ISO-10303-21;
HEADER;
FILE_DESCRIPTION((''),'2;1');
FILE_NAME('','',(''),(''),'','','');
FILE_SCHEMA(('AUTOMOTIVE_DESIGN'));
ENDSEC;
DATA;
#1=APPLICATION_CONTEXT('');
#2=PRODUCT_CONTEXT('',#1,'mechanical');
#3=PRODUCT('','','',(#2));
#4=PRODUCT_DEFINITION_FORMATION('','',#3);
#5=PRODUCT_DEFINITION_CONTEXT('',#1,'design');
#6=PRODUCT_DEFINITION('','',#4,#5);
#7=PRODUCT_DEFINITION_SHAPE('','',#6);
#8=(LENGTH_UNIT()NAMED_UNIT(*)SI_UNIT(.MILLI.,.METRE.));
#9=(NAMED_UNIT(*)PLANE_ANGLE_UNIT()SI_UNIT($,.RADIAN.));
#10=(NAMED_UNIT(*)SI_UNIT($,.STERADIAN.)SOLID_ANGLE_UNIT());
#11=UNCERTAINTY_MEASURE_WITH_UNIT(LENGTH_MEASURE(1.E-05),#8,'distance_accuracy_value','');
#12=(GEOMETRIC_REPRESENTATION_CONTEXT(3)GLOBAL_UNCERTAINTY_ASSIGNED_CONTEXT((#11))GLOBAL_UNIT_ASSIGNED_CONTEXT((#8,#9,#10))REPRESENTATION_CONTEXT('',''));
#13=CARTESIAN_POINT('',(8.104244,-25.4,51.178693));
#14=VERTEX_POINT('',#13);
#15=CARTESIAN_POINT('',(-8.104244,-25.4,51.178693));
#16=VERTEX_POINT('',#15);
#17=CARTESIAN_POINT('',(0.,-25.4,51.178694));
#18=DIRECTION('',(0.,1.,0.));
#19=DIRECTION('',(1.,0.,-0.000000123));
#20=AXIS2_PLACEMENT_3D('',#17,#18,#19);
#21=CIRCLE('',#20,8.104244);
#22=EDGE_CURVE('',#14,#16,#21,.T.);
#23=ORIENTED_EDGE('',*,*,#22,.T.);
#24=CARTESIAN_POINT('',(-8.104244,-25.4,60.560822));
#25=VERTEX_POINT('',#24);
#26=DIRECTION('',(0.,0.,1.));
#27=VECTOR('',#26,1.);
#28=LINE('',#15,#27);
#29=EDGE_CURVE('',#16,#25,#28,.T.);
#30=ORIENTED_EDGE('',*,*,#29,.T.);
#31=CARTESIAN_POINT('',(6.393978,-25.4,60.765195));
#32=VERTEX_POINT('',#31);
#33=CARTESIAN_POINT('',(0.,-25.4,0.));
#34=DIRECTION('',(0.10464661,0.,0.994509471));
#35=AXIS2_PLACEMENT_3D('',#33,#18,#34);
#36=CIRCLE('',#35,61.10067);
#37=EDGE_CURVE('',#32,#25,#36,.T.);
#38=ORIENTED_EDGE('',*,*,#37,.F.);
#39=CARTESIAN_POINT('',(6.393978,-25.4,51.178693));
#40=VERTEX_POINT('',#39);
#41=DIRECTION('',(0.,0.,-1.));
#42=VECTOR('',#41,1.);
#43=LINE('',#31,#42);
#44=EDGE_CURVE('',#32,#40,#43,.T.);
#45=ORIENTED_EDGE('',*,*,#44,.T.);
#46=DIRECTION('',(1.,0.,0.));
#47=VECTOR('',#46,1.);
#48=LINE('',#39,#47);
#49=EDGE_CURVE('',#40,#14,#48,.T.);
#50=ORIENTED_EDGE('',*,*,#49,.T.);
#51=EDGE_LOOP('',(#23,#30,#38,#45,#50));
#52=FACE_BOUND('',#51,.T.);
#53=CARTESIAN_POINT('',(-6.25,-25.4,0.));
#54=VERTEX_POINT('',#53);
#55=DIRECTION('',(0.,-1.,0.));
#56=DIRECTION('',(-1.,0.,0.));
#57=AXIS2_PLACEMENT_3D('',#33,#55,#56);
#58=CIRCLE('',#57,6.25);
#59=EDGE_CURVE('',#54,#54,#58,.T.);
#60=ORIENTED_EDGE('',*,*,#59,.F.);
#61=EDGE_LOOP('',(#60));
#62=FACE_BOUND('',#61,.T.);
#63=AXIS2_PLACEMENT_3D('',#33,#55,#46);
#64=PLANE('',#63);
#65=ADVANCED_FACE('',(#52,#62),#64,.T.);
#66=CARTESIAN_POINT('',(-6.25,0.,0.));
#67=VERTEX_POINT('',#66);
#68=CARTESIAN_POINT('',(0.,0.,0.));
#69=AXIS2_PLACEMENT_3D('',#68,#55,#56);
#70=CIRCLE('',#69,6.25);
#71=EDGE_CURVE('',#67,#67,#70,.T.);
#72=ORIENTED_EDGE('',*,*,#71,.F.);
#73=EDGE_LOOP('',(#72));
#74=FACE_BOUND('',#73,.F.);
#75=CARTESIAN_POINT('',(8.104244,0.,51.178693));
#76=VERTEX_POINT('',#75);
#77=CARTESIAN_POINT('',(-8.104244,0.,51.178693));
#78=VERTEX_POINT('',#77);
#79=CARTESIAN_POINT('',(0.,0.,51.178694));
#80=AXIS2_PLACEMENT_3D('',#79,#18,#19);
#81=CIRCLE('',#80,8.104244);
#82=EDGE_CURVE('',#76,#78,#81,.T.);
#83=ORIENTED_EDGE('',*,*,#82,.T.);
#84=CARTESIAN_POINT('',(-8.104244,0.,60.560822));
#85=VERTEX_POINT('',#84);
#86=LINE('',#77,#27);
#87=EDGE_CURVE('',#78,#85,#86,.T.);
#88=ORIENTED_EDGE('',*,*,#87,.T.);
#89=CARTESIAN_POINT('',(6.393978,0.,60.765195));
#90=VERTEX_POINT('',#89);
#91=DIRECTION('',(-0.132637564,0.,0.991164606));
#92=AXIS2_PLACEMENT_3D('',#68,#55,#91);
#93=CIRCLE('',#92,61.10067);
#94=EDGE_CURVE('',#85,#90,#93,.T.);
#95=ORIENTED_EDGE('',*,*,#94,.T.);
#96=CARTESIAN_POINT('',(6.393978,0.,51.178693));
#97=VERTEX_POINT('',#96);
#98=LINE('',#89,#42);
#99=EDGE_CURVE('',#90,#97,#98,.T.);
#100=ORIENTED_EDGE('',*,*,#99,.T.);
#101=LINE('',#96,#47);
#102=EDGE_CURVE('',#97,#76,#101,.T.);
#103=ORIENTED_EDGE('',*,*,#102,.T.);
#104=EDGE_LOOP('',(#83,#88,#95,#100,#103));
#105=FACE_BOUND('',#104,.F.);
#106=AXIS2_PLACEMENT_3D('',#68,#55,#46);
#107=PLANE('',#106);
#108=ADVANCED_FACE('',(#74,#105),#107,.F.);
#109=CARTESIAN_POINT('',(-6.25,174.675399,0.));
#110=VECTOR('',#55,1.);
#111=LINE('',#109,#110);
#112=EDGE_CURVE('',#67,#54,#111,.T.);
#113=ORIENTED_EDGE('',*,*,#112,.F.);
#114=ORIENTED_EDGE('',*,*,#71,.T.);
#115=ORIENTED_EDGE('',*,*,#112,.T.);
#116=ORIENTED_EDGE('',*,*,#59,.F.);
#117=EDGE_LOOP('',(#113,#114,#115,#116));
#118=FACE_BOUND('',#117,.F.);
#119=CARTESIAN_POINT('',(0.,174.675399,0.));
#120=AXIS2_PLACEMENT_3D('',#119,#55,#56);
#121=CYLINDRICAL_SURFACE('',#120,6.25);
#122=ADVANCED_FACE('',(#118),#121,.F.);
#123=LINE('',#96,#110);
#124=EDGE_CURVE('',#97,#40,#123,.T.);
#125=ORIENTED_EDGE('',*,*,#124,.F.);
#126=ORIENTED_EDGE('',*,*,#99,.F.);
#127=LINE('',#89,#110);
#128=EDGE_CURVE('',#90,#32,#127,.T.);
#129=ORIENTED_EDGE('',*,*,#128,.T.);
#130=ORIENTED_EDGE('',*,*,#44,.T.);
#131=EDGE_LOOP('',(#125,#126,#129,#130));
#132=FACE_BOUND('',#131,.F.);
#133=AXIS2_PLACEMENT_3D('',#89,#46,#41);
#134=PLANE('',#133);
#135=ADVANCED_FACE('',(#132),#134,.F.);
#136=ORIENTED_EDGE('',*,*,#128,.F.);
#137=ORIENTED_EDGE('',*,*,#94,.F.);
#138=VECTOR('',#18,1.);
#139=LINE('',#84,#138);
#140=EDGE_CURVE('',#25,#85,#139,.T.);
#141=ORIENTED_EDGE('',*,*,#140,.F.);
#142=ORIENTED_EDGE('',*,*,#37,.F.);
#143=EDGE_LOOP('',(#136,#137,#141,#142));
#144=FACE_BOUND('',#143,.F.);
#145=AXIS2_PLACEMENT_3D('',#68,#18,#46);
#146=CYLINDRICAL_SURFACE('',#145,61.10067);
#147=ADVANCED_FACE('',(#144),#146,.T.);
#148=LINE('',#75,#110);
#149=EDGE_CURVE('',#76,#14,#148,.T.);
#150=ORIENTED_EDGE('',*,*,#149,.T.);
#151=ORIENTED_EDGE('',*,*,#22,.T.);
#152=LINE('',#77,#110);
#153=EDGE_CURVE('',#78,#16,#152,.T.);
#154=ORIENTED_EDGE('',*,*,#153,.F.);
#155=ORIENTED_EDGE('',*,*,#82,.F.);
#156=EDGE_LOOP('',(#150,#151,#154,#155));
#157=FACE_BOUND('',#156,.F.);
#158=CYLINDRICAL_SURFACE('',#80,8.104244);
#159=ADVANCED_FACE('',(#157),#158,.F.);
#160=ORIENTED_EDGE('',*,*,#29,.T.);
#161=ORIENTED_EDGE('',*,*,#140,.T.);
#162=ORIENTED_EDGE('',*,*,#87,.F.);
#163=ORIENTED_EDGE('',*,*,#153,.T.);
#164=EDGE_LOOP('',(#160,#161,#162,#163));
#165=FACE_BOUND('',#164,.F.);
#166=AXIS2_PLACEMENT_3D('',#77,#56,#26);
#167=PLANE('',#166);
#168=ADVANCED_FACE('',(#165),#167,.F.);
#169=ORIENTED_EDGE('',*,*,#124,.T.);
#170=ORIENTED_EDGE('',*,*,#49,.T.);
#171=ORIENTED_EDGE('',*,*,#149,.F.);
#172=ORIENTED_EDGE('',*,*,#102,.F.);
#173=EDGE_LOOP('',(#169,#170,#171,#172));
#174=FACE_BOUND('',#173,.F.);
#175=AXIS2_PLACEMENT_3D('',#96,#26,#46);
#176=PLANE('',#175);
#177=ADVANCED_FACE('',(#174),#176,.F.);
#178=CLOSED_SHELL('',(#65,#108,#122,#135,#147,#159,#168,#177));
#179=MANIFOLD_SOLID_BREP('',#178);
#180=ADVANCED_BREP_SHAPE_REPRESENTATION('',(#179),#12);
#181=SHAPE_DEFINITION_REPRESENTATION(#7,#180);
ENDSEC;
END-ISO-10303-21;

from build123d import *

# Parameters (mm, degrees)
F0_R     = 61.10067
F1_DEPTH = 25.4
F3_D     = 12.5
F5_DEPTH = 25.4


with BuildPart() as f1:
    # F0 (on Front) → F1 (new body)
    with BuildSketch(Plane.XZ):
        Circle(F0_R)
    extrude(amount=F1_DEPTH)

    # F3 (through all)
    with Locations(Plane(origin=(0, 0, 0), x_dir=(1, 0, 0), z_dir=(0, 1, 0))):
        with Locations((0, 0)):
            Hole(F3_D / 2)

    # F4 (on face) → F5 (cut)
    with BuildSketch(Plane(origin=(0, 0, 0), x_dir=(-1, 0, 0), z_dir=(0, 1, 0))):
        with BuildLine():
            Line((-6.393978, 51.178693), (-8.104244, 51.178693))
            ThreePointArc((-8.104244, 51.178693), (0, 43.07445), (8.104244, 51.178693))
            Line((8.104244, 51.178693), (8.104244, 60.765195))
            ThreePointArc((8.104244, 60.765195), (0.855133, 68.014306), (-6.393978, 60.765195))
            Line((-6.393978, 60.765195), (-6.393978, 51.178693))
        make_face()
    extrude(amount=-F5_DEPTH, mode=Mode.SUBTRACT)


solid = f1.part
